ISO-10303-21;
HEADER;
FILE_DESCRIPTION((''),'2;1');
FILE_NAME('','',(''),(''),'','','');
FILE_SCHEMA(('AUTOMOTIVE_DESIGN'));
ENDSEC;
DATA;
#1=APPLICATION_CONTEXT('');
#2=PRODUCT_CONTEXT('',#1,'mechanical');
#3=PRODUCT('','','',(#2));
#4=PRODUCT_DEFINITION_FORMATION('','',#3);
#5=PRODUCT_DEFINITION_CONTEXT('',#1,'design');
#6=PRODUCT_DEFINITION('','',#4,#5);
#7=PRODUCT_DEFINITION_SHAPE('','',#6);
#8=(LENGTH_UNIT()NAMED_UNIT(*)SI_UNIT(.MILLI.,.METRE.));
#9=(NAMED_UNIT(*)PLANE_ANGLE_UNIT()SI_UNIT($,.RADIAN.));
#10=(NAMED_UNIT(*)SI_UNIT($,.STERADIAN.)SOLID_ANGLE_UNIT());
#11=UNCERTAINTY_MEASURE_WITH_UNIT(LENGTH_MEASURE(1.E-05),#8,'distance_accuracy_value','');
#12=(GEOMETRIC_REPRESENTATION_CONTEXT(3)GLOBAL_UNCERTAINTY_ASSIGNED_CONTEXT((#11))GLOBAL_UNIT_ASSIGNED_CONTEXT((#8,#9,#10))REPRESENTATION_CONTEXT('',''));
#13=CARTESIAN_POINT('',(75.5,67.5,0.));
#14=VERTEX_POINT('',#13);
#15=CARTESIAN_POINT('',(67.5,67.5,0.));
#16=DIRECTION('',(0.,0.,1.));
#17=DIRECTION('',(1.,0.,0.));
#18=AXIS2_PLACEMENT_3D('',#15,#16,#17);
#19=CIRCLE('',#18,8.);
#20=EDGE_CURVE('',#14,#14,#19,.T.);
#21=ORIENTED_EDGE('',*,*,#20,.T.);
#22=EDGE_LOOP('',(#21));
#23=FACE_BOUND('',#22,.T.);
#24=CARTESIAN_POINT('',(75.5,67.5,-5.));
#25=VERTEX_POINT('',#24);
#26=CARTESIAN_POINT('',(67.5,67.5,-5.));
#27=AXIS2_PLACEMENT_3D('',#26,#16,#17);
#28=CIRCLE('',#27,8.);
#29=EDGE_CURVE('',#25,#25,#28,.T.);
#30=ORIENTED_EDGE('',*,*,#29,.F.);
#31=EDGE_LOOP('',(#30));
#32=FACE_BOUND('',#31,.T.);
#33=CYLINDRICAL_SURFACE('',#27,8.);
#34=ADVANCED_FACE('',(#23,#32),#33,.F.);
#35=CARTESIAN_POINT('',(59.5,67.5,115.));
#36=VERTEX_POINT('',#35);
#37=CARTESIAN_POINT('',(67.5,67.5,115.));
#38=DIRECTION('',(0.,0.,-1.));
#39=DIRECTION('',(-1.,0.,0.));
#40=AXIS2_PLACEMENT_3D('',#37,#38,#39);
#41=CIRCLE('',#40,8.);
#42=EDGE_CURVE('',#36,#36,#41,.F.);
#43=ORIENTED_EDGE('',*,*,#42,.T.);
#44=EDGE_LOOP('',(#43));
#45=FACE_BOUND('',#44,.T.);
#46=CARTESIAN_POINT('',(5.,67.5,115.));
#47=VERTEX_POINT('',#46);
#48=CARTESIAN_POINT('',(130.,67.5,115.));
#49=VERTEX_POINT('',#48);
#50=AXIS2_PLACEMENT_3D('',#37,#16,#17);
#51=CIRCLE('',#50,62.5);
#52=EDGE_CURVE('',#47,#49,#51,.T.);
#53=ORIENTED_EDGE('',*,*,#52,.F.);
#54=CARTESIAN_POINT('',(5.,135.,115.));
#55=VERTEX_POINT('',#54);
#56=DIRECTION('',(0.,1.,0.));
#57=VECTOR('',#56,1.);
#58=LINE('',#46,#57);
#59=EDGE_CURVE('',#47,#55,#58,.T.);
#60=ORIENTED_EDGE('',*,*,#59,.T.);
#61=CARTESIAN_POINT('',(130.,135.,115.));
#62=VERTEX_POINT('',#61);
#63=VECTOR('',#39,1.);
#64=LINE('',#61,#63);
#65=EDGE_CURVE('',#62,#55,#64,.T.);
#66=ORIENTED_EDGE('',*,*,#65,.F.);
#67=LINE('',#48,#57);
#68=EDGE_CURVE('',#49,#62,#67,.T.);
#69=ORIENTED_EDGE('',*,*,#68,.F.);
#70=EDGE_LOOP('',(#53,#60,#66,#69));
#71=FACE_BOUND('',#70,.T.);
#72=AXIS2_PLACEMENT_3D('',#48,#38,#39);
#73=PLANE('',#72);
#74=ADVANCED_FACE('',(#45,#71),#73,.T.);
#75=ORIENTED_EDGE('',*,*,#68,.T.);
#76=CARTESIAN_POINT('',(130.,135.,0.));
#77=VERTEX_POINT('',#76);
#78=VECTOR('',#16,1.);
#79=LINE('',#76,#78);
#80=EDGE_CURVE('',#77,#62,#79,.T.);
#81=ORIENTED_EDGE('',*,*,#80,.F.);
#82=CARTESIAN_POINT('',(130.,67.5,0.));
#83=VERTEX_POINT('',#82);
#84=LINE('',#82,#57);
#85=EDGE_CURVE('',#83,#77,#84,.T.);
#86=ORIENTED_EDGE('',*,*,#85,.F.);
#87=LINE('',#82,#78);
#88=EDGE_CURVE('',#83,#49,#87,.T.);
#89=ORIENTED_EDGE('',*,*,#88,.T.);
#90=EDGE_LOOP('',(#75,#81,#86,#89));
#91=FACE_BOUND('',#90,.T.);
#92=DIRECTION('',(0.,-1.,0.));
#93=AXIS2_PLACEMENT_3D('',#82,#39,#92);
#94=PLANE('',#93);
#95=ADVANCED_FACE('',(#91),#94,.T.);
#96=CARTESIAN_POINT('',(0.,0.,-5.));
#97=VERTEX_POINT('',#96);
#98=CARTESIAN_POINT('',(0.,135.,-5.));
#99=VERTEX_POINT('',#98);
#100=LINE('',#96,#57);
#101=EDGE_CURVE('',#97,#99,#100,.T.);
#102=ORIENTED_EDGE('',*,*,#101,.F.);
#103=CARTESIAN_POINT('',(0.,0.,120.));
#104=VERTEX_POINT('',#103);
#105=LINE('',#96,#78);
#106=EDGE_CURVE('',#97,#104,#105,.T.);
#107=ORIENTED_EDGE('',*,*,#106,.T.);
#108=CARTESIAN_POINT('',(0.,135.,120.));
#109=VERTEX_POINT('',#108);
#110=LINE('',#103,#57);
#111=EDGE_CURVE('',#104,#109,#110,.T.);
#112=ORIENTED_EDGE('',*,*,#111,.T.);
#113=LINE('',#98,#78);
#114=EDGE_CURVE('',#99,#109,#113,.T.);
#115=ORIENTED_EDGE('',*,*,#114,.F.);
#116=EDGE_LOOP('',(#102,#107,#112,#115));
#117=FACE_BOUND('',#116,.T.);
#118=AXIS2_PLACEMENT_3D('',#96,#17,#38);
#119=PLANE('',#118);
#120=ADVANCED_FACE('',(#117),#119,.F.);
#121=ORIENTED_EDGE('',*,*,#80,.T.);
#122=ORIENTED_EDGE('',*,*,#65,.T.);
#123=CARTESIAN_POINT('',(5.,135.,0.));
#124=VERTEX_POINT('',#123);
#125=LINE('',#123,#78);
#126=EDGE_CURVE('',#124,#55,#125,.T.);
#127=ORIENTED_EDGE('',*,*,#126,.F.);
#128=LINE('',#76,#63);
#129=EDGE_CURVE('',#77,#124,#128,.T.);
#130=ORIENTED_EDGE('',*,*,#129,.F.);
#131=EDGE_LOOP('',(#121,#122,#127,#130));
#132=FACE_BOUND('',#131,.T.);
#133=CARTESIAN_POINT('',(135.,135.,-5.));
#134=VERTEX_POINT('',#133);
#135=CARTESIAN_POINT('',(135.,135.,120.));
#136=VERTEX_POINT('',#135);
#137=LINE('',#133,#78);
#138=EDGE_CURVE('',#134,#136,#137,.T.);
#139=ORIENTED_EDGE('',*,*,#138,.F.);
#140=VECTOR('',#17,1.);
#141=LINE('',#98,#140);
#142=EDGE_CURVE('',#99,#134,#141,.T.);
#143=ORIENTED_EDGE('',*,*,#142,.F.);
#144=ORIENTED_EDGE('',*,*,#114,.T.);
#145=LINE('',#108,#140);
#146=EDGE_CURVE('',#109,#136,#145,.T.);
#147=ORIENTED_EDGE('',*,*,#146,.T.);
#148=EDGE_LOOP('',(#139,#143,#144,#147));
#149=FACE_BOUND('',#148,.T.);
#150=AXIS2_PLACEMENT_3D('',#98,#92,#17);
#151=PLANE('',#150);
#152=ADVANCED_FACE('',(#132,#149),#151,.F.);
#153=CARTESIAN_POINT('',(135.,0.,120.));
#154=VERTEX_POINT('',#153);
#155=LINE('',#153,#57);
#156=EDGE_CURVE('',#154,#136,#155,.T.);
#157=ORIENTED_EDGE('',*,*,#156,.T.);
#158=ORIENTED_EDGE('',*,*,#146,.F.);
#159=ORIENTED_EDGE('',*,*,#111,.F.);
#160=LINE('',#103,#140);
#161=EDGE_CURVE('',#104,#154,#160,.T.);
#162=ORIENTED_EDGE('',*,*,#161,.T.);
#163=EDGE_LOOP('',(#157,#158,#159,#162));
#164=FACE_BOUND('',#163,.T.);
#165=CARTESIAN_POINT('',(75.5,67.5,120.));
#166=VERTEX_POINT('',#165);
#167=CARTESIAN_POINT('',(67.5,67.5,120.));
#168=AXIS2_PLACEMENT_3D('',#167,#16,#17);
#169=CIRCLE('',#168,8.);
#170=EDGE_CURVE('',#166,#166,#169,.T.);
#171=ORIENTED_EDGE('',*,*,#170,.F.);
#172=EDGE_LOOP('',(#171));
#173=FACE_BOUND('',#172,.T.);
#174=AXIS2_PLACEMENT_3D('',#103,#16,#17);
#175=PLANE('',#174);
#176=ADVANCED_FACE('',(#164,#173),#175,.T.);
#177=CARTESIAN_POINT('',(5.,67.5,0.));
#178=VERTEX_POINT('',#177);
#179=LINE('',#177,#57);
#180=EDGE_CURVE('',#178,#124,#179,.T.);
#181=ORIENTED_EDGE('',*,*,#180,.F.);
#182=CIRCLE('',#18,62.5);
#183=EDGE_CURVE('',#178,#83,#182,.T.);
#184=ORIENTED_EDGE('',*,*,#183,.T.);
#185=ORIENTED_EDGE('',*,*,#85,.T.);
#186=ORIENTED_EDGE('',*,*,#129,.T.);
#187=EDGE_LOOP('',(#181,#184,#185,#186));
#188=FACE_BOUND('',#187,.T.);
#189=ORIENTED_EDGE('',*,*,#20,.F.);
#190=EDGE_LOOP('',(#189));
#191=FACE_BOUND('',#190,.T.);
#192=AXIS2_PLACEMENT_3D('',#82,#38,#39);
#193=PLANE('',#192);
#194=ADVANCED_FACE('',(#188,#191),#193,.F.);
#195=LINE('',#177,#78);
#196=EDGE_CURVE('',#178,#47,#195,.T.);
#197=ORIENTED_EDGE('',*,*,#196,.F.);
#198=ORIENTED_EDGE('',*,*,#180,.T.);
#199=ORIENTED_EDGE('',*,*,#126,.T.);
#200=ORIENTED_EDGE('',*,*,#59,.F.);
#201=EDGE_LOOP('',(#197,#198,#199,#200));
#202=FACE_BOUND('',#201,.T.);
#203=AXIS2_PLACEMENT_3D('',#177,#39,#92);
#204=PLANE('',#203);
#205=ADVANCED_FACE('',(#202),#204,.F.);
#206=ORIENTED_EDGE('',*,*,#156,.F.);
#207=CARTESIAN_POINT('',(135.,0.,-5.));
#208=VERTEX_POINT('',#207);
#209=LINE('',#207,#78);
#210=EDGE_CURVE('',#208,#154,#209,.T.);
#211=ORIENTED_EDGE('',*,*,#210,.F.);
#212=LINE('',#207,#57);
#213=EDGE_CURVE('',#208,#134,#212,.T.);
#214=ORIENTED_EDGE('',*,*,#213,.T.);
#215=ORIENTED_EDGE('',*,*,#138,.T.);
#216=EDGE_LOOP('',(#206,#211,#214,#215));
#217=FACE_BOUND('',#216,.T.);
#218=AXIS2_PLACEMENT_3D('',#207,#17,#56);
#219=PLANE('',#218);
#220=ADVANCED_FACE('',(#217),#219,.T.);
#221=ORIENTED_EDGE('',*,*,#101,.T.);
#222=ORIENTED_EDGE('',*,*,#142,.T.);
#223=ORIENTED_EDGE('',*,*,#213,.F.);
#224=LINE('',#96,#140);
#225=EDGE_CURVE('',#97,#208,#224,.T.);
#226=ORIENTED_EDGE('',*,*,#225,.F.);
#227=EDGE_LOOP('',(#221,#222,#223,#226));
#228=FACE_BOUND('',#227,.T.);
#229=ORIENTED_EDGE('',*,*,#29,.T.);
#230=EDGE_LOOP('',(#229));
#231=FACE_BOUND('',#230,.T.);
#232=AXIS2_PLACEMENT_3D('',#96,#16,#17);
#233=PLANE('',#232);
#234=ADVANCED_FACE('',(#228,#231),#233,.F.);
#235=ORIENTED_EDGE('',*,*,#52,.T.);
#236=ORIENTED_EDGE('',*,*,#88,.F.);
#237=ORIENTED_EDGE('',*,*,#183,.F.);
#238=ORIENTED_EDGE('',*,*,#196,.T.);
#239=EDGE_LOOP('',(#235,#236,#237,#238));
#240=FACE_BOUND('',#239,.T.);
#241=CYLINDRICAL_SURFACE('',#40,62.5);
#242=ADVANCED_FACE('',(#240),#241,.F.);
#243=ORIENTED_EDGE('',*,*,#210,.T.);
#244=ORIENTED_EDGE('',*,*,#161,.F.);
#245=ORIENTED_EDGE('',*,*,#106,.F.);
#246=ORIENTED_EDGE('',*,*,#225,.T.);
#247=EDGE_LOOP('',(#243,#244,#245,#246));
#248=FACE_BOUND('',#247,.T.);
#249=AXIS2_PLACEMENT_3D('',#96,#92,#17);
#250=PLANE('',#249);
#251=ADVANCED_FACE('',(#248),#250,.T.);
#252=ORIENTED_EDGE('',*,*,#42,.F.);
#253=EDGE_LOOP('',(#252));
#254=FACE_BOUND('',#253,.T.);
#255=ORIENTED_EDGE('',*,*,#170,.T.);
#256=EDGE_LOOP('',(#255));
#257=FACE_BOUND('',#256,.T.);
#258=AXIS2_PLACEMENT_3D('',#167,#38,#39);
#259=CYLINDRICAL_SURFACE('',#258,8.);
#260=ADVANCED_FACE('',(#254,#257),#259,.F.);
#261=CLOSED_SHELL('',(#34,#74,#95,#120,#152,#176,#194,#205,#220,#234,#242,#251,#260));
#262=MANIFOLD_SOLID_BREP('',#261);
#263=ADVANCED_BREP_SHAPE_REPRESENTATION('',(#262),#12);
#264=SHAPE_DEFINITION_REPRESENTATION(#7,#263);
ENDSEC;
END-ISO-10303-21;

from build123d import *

# Parameters (mm, degrees)
SKETCH2_W           = 135
SKETCH2_H           = 135
SKETCH2_R           = 8
BOSS_EXTRUDE3_DEPTH = 5
SKETCH2_3_W         = 135
SKETCH2_3_H         = 135
BOSS_EXTRUDE4_DEPTH = 120
SKETCH3_W           = 125
SKETCH3_H           = 115
CUT_EXTRUDE1_DEPTH  = 67.5
CUT_EXTRUDE2_START  = 115
CUT_EXTRUDE2_DEPTH  = 115
CUT_EXTRUDE3_START  = 120
SKETCH2_6_R         = 8
CUT_EXTRUDE3_DEPTH  = 120


with BuildPart() as part:
    # Sketch2 → Boss-Extrude3 (new body)
    with BuildSketch(Plane.XY):
        with Locations((67.5, 67.5)):
            Rectangle(SKETCH2_W, SKETCH2_H)
        with Locations((67.5, 67.5)):
            Circle(SKETCH2_R, mode=Mode.SUBTRACT)
    extrude(amount=-BOSS_EXTRUDE3_DEPTH)

    # Sketch2<3> → Boss-Extrude4 (add)
    with BuildSketch(Plane.XY):
        with Locations((67.5, 67.5)):
            Rectangle(SKETCH2_3_W, SKETCH2_3_H)
    extrude(amount=BOSS_EXTRUDE4_DEPTH)

    # Sketch3 → Cut-Extrude1 (cut)
    with BuildSketch(Plane(origin=(0, 135, 0), x_dir=(1, 0, 0), z_dir=(0, 1, 0))):
        with Locations((67.5, -57.5)):
            Rectangle(SKETCH3_W, SKETCH3_H)
    extrude(amount=-CUT_EXTRUDE1_DEPTH, mode=Mode.SUBTRACT)

    # Sketch2<5> → Cut-Extrude2 (cut)
    with BuildSketch(Plane.XY.offset(CUT_EXTRUDE2_START)):
        with BuildLine():
            Line((130, 67.5), (75.5, 67.5))
            ThreePointArc((75.5, 67.5), (67.5, 75.5), (59.5, 67.5))
            Line((59.5, 67.5), (5, 67.5))
            ThreePointArc((5, 67.5), (67.5, 5), (130, 67.5))
        make_face()
    extrude(amount=-CUT_EXTRUDE2_DEPTH, mode=Mode.SUBTRACT)

    # Sketch2<6> → Cut-Extrude3 (cut)
    with BuildSketch(Plane.XY.offset(CUT_EXTRUDE3_START)):
        with Locations((67.5, 67.5)):
            Circle(SKETCH2_6_R)
    extrude(amount=-CUT_EXTRUDE3_DEPTH, mode=Mode.SUBTRACT)


solid = part.part
